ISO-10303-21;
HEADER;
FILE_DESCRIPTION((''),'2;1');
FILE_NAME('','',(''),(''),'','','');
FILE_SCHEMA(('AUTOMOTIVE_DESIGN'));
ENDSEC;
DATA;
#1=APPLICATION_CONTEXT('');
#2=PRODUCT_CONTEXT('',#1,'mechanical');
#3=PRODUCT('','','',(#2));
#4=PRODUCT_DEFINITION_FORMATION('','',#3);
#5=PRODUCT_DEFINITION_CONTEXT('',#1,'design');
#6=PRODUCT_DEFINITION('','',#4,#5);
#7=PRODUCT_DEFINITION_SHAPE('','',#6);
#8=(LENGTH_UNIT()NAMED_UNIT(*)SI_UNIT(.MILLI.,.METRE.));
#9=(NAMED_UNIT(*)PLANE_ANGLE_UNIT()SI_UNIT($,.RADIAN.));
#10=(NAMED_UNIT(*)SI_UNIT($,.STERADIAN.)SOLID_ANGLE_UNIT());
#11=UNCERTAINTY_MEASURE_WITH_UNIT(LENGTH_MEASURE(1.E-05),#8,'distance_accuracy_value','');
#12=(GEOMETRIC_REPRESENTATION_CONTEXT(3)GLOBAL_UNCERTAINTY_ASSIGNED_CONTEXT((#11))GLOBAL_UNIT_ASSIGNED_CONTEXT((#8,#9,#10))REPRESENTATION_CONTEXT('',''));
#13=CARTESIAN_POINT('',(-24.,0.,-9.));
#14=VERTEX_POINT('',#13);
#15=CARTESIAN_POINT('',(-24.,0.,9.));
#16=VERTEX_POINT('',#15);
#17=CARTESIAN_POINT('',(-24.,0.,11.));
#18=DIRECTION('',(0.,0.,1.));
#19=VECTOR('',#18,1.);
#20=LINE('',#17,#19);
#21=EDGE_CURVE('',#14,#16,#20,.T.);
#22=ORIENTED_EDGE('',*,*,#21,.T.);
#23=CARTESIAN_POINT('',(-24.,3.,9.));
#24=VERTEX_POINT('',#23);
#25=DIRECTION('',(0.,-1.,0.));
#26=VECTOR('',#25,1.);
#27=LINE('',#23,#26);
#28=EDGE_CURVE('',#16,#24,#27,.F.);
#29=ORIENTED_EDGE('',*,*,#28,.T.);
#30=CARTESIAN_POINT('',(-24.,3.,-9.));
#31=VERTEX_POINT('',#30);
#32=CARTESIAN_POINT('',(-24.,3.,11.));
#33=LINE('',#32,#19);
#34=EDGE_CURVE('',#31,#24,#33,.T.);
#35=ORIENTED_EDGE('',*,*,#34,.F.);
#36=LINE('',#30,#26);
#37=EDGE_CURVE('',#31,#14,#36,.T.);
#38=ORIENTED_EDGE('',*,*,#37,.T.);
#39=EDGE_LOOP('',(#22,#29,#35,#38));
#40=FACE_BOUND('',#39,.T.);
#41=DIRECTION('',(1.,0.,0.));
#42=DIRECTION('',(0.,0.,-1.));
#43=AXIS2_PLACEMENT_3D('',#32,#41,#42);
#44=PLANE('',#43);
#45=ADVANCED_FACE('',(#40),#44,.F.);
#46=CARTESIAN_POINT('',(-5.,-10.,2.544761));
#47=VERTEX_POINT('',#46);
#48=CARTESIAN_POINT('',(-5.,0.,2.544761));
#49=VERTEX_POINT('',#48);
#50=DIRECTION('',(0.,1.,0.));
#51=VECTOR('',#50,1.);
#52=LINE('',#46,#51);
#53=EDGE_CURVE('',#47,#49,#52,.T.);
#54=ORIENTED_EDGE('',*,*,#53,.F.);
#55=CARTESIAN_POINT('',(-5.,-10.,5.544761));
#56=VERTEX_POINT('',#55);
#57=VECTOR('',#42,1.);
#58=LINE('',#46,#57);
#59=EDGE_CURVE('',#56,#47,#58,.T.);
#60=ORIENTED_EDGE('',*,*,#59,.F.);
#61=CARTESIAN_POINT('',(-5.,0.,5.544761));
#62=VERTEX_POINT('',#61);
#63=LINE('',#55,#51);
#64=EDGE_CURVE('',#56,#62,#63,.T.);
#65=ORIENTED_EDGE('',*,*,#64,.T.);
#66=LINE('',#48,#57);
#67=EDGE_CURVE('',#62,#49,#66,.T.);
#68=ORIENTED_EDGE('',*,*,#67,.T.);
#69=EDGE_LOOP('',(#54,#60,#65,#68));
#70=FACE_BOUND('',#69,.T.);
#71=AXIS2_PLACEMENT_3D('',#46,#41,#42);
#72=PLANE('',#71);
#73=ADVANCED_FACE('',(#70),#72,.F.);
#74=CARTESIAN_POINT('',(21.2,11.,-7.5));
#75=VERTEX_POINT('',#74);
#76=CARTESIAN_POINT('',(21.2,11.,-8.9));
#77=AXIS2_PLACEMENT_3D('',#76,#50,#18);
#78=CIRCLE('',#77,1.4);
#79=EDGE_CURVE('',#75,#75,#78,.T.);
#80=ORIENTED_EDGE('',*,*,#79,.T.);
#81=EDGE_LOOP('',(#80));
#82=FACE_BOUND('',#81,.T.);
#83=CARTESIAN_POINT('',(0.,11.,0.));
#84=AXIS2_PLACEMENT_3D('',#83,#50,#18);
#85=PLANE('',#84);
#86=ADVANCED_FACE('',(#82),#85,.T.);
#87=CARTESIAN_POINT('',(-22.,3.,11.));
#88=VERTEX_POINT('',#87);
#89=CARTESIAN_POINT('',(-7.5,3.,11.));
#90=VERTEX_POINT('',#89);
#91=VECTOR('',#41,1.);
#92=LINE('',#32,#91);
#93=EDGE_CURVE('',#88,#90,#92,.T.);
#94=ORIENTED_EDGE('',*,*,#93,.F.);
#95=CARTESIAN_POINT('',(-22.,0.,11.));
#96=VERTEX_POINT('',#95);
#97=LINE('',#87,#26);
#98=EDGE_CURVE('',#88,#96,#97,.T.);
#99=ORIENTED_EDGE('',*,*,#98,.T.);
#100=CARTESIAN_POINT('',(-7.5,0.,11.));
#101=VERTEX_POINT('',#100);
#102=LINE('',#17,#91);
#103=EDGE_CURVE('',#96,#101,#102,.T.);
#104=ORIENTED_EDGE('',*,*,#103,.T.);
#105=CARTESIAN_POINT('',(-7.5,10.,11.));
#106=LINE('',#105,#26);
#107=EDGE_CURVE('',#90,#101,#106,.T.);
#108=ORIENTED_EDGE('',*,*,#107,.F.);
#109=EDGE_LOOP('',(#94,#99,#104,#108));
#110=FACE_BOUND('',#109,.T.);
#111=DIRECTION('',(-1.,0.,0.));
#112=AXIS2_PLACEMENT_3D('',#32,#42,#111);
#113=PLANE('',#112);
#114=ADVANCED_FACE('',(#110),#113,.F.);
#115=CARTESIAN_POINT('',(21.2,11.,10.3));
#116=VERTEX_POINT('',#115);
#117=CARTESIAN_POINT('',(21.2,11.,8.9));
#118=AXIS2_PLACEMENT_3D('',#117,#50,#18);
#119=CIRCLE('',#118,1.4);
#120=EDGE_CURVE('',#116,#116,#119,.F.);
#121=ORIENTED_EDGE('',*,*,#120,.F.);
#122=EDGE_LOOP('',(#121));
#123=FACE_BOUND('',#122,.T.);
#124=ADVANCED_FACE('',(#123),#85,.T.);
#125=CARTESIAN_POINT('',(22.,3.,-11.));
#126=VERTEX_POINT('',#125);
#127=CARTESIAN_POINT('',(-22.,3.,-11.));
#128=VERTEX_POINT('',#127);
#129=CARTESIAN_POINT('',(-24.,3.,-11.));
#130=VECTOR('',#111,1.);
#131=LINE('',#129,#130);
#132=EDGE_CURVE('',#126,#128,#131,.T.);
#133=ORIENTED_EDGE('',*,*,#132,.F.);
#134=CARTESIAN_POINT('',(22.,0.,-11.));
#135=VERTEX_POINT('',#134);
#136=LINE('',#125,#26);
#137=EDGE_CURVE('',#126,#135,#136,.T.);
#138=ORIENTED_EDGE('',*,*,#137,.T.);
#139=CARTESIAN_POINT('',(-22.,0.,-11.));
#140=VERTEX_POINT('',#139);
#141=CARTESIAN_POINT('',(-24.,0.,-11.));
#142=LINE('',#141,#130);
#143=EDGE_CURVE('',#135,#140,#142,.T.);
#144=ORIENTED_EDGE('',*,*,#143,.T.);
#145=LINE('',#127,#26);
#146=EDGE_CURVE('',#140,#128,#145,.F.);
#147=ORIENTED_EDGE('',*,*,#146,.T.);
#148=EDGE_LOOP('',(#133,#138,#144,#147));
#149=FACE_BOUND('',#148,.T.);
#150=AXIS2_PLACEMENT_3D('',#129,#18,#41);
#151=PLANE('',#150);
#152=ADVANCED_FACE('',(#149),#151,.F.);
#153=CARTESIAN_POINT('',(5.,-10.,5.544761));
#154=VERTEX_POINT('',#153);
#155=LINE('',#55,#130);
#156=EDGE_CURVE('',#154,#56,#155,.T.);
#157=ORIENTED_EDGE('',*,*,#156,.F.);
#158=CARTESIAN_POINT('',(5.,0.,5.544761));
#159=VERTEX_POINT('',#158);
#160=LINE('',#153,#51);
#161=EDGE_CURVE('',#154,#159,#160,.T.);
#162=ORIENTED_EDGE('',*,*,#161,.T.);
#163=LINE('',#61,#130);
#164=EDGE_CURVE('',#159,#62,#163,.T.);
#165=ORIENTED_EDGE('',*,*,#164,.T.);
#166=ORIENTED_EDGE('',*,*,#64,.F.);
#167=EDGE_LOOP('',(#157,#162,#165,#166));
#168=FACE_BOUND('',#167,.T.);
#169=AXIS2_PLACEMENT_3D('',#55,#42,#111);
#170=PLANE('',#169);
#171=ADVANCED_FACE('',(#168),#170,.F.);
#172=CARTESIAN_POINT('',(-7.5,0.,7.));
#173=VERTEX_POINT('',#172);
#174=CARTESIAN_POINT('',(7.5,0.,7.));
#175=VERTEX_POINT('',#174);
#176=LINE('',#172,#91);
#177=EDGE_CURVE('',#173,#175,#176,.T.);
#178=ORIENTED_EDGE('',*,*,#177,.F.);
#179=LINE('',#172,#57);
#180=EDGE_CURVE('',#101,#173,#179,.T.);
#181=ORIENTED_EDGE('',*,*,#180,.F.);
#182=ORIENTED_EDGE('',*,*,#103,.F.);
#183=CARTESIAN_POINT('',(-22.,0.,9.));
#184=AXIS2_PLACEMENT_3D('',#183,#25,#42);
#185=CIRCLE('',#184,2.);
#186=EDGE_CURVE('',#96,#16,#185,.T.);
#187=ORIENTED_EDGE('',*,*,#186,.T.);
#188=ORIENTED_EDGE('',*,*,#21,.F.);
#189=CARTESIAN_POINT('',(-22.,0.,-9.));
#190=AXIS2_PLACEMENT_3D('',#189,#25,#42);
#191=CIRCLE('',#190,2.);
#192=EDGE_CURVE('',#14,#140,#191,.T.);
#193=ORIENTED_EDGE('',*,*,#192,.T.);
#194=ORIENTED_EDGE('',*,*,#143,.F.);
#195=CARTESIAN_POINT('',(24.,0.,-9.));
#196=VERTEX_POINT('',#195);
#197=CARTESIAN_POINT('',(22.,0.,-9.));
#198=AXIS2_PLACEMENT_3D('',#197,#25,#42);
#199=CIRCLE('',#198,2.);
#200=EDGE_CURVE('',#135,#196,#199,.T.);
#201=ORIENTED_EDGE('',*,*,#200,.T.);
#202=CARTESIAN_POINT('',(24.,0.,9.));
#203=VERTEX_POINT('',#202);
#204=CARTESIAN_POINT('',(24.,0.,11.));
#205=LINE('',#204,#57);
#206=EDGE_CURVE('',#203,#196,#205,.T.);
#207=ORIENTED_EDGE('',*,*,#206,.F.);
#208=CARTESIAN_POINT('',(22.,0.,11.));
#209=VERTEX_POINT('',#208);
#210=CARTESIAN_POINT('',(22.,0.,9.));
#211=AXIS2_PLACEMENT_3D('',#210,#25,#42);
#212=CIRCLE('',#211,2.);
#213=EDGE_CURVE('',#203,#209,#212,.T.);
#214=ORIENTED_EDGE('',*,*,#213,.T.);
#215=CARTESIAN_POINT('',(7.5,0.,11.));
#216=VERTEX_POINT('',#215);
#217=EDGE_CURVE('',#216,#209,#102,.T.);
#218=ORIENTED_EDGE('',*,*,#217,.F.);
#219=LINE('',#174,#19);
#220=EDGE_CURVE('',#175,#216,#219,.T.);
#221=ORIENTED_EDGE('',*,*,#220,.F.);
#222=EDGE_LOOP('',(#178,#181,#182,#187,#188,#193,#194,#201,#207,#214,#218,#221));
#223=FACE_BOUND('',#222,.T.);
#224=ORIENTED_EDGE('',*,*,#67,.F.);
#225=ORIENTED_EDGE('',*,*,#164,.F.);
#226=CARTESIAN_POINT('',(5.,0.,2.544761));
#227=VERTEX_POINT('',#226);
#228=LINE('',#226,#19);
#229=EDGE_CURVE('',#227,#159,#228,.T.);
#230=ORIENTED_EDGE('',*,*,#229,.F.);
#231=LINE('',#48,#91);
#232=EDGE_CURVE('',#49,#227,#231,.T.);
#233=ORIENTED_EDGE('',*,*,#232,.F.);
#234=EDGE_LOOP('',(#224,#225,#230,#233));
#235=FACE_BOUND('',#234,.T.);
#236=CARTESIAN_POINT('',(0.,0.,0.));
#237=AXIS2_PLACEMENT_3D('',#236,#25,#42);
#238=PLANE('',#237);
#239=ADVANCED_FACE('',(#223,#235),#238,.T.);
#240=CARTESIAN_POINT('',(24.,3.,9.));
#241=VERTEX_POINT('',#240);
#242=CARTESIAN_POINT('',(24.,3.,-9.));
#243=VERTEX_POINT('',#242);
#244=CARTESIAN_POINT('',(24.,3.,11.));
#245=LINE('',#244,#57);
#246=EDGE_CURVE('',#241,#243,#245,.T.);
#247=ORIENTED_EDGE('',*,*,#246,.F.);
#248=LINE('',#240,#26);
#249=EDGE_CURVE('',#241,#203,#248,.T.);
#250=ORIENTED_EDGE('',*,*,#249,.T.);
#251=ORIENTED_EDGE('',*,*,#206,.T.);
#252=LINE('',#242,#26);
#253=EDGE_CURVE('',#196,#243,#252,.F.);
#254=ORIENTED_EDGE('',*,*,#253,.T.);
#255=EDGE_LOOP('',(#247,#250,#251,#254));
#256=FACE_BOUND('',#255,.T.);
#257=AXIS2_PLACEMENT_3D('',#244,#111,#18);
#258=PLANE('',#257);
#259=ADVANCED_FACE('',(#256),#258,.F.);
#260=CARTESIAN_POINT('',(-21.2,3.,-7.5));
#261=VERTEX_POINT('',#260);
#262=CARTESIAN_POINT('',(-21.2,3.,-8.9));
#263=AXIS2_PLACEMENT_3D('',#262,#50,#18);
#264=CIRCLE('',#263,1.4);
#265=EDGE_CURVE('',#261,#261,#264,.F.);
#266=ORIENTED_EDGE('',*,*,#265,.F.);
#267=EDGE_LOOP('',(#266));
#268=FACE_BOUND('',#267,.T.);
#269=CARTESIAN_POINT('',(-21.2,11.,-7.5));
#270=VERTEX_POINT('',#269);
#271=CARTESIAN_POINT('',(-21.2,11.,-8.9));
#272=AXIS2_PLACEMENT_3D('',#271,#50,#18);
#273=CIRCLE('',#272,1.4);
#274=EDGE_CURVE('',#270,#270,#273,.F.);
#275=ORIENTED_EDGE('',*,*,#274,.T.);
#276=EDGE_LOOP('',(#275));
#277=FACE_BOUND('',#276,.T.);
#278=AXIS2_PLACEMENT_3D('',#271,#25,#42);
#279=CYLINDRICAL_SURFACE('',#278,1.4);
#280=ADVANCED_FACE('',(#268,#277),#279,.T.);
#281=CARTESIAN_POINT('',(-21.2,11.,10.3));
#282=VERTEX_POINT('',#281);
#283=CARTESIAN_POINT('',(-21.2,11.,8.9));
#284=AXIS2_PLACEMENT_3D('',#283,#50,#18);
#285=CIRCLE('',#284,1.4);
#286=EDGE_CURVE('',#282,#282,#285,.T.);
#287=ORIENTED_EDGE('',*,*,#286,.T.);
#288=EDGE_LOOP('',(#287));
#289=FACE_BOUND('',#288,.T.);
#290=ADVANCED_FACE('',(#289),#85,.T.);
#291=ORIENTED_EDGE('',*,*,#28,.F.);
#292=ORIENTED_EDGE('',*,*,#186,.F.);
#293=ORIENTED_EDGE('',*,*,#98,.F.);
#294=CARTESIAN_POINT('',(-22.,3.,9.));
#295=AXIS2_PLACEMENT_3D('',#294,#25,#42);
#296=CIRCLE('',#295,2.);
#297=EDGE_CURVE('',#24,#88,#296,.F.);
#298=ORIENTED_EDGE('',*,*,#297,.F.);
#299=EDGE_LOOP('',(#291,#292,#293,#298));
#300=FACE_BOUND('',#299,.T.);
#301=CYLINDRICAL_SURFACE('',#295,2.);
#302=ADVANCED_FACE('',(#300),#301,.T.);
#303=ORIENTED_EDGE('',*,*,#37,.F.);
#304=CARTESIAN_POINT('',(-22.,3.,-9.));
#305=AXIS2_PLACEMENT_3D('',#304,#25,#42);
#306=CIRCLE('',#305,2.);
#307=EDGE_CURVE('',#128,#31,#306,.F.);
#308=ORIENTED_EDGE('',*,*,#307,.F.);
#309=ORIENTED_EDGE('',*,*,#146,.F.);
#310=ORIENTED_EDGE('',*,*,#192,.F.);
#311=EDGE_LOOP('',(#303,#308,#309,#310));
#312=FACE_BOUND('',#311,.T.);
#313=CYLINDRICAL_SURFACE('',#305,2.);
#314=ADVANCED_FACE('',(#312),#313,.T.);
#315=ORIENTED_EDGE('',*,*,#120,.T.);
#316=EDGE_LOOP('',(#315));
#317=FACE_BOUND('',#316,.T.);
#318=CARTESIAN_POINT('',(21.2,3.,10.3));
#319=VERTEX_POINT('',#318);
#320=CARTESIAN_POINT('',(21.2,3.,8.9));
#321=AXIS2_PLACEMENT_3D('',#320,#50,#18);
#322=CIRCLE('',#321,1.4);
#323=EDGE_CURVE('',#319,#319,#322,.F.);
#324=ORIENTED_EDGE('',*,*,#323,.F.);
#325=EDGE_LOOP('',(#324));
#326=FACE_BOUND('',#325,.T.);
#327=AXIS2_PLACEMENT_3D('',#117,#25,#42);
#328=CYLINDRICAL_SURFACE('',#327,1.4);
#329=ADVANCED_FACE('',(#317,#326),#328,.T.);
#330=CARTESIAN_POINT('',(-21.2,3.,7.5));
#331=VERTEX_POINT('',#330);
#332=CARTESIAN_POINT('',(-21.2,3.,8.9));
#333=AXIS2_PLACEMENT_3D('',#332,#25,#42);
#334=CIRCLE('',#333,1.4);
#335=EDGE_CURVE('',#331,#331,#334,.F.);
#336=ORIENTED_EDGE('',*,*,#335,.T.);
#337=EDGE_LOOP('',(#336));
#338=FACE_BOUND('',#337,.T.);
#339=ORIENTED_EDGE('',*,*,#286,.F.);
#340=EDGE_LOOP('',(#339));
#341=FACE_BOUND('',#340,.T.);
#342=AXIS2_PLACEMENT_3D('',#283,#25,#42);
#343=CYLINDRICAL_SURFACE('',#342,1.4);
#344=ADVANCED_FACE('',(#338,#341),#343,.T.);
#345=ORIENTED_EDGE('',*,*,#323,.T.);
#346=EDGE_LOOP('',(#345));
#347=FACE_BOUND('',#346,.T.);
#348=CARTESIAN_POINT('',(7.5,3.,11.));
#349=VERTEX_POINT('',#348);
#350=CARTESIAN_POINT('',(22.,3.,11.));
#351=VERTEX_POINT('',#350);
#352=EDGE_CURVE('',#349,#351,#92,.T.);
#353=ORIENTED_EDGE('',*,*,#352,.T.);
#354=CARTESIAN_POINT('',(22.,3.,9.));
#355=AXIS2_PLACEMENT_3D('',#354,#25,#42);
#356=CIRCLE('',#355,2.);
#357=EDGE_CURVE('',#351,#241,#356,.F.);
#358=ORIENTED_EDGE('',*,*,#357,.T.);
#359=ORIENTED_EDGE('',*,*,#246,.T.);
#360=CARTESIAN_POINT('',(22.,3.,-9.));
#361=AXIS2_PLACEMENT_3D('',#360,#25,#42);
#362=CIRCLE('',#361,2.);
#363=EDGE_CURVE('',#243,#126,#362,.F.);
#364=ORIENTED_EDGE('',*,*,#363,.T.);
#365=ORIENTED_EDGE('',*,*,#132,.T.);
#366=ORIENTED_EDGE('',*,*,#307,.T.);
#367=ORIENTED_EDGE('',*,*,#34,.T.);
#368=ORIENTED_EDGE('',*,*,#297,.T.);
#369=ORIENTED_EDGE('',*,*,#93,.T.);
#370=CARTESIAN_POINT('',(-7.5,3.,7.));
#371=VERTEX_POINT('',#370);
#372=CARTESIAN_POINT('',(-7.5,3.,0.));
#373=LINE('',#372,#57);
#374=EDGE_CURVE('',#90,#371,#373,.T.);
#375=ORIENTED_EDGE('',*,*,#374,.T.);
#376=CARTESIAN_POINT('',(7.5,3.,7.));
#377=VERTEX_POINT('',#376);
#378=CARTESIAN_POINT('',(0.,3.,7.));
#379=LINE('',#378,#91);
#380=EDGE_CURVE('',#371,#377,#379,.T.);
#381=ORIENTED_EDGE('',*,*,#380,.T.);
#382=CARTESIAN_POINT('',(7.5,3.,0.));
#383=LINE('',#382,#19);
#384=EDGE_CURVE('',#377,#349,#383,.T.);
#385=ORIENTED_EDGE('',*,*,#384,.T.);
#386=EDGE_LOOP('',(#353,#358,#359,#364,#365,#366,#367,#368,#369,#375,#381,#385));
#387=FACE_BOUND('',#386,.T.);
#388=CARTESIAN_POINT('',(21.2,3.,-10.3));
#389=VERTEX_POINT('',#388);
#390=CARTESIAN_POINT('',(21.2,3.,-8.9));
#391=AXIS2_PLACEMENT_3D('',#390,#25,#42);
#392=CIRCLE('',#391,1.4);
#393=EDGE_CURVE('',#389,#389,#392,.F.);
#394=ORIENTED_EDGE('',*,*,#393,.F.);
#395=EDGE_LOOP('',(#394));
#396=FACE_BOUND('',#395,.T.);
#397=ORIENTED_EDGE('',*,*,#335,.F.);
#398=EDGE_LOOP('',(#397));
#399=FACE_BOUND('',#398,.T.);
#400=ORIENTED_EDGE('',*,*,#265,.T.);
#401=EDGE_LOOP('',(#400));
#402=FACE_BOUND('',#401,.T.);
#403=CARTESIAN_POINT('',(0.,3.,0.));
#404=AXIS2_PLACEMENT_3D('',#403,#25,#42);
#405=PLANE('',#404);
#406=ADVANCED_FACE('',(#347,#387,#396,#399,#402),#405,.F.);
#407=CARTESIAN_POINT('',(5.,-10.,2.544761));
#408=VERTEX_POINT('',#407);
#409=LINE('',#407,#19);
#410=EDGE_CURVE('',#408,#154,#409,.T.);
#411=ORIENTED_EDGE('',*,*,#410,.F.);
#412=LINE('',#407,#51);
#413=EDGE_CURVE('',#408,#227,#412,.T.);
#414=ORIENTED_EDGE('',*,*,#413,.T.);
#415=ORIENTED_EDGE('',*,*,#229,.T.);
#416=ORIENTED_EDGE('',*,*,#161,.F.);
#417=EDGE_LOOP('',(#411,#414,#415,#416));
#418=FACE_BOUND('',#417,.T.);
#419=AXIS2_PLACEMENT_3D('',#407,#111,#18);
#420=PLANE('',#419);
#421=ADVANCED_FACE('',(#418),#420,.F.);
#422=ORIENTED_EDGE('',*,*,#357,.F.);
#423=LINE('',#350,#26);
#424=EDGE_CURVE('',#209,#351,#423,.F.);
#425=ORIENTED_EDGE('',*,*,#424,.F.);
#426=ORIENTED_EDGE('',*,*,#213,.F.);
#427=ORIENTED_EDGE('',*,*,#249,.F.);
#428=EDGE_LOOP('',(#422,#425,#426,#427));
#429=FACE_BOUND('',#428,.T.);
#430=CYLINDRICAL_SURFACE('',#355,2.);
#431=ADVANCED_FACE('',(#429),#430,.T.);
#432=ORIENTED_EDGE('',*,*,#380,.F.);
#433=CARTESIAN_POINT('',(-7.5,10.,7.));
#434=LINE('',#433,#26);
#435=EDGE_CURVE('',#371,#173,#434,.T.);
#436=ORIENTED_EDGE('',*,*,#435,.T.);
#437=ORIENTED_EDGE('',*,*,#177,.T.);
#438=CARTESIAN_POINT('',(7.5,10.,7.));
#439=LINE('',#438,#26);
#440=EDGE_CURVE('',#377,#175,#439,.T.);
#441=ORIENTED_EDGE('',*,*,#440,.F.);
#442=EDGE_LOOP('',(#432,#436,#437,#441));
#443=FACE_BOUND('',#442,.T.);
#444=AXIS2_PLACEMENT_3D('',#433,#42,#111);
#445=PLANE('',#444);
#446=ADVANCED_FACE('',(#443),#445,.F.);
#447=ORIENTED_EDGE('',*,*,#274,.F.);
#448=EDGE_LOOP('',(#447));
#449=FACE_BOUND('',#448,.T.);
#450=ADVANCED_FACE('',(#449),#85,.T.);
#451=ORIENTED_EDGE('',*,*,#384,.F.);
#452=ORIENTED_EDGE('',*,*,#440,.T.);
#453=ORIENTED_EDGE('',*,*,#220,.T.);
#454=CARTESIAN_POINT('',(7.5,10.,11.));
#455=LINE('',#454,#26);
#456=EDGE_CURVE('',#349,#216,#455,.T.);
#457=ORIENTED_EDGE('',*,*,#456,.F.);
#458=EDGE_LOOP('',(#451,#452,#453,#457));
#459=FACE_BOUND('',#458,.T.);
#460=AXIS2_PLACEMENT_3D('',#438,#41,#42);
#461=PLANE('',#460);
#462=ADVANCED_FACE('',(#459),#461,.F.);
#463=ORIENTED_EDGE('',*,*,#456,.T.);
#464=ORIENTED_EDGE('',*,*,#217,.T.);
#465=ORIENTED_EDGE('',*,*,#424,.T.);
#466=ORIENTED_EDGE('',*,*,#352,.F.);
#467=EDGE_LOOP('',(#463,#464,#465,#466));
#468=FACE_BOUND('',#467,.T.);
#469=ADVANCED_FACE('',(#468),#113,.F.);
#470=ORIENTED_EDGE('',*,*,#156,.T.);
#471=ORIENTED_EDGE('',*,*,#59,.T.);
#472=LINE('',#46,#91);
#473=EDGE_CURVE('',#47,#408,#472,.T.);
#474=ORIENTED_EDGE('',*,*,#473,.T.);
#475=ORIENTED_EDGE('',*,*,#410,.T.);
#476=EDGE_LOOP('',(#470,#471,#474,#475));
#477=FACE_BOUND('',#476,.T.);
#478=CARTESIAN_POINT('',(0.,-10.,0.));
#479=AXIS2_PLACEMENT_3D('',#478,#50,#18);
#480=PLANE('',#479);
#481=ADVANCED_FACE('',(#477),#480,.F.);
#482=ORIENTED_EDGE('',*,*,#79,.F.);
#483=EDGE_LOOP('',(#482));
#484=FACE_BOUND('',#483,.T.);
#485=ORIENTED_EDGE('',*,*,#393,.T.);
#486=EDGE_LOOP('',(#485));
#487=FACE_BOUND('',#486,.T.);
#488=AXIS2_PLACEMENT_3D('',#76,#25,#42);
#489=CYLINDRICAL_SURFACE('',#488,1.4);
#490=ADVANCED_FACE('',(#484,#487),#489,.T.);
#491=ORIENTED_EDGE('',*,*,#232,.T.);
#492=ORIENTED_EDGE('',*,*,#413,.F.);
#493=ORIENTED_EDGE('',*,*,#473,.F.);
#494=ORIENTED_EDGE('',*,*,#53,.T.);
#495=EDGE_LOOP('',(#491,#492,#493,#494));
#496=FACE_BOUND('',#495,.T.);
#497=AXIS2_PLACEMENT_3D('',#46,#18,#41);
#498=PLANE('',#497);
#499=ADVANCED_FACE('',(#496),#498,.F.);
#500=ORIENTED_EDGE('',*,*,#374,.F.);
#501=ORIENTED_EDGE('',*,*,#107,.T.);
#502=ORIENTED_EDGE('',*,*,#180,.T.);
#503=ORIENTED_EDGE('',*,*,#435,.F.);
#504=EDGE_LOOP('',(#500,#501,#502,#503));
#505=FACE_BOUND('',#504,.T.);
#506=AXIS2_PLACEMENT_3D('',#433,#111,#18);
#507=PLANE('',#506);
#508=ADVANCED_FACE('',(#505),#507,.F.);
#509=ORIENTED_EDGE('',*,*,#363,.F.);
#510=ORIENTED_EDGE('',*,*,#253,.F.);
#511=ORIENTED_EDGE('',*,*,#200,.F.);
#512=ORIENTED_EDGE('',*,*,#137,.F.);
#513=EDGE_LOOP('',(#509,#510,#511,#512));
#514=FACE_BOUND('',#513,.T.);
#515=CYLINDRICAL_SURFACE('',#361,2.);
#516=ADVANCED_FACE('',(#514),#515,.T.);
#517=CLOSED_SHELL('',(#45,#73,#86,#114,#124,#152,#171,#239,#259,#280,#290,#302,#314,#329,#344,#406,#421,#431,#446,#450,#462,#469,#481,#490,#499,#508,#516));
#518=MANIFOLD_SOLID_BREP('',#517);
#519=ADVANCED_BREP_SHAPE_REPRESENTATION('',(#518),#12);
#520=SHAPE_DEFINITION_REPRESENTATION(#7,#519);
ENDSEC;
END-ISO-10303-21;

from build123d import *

# Parameters (mm, degrees)
SKETCH1_W           = 48
SKETCH1_H           = 22
BOSS_EXTRUDE1_DEPTH = 3
SKETCH2_R           = 1.4
BOSS_EXTRUDE2_DEPTH = 8
SKETCH3_W           = 10
SKETCH3_H           = 3
BOSS_EXTRUDE3_DEPTH = 10
SKETCH4_W           = 15
SKETCH4_H           = 4
CUT_EXTRUDE1_DEPTH  = 10
FILLET1_R           = 2


with BuildPart() as part:
    # Sketch1 → Boss-Extrude1 (new body)
    with BuildSketch(Plane(origin=(0, 0, 0), x_dir=(1, 0, 0), z_dir=(0, 1, 0))):
        Rectangle(SKETCH1_W, SKETCH1_H)
    extrude(amount=BOSS_EXTRUDE1_DEPTH)

    # Sketch2 → Boss-Extrude2 (add)
    with BuildSketch(Plane(origin=(0, 3, 0), x_dir=(1, 0, 0), z_dir=(0, 1, 0))):
        with Locations((-21.2, 8.899999974)):
            Circle(SKETCH2_R)
        with Locations((-21.2, -8.899999974)):
            Circle(SKETCH2_R)
        with Locations((21.2, 8.899999974)):
            Circle(SKETCH2_R)
        with Locations((21.2, -8.899999974)):
            Circle(SKETCH2_R)
    extrude(amount=BOSS_EXTRUDE2_DEPTH)

    # Sketch3 → Boss-Extrude3 (add)
    with BuildSketch(Plane.XZ):
        with Locations((0, 4.044761195)):
            Rectangle(SKETCH3_W, SKETCH3_H)
    extrude(amount=BOSS_EXTRUDE3_DEPTH)

    # Sketch4 → Cut-Extrude1 (cut)
    with BuildSketch(Plane.XZ):
        with Locations((0, 9)):
            Rectangle(SKETCH4_W, SKETCH4_H)
    extrude(amount=-CUT_EXTRUDE1_DEPTH, mode=Mode.SUBTRACT)

    # Fillet1
    fillet1_edges = [part.edges().sort_by_distance(p)[0] for p in [
        (24, 1.5, 11),
        (-24, 1.5, 11),
        (-24, 1.5, -11),
        (24, 1.5, -11),
    ]]
    fillet(fillet1_edges, radius=FILLET1_R)


solid = part.part
